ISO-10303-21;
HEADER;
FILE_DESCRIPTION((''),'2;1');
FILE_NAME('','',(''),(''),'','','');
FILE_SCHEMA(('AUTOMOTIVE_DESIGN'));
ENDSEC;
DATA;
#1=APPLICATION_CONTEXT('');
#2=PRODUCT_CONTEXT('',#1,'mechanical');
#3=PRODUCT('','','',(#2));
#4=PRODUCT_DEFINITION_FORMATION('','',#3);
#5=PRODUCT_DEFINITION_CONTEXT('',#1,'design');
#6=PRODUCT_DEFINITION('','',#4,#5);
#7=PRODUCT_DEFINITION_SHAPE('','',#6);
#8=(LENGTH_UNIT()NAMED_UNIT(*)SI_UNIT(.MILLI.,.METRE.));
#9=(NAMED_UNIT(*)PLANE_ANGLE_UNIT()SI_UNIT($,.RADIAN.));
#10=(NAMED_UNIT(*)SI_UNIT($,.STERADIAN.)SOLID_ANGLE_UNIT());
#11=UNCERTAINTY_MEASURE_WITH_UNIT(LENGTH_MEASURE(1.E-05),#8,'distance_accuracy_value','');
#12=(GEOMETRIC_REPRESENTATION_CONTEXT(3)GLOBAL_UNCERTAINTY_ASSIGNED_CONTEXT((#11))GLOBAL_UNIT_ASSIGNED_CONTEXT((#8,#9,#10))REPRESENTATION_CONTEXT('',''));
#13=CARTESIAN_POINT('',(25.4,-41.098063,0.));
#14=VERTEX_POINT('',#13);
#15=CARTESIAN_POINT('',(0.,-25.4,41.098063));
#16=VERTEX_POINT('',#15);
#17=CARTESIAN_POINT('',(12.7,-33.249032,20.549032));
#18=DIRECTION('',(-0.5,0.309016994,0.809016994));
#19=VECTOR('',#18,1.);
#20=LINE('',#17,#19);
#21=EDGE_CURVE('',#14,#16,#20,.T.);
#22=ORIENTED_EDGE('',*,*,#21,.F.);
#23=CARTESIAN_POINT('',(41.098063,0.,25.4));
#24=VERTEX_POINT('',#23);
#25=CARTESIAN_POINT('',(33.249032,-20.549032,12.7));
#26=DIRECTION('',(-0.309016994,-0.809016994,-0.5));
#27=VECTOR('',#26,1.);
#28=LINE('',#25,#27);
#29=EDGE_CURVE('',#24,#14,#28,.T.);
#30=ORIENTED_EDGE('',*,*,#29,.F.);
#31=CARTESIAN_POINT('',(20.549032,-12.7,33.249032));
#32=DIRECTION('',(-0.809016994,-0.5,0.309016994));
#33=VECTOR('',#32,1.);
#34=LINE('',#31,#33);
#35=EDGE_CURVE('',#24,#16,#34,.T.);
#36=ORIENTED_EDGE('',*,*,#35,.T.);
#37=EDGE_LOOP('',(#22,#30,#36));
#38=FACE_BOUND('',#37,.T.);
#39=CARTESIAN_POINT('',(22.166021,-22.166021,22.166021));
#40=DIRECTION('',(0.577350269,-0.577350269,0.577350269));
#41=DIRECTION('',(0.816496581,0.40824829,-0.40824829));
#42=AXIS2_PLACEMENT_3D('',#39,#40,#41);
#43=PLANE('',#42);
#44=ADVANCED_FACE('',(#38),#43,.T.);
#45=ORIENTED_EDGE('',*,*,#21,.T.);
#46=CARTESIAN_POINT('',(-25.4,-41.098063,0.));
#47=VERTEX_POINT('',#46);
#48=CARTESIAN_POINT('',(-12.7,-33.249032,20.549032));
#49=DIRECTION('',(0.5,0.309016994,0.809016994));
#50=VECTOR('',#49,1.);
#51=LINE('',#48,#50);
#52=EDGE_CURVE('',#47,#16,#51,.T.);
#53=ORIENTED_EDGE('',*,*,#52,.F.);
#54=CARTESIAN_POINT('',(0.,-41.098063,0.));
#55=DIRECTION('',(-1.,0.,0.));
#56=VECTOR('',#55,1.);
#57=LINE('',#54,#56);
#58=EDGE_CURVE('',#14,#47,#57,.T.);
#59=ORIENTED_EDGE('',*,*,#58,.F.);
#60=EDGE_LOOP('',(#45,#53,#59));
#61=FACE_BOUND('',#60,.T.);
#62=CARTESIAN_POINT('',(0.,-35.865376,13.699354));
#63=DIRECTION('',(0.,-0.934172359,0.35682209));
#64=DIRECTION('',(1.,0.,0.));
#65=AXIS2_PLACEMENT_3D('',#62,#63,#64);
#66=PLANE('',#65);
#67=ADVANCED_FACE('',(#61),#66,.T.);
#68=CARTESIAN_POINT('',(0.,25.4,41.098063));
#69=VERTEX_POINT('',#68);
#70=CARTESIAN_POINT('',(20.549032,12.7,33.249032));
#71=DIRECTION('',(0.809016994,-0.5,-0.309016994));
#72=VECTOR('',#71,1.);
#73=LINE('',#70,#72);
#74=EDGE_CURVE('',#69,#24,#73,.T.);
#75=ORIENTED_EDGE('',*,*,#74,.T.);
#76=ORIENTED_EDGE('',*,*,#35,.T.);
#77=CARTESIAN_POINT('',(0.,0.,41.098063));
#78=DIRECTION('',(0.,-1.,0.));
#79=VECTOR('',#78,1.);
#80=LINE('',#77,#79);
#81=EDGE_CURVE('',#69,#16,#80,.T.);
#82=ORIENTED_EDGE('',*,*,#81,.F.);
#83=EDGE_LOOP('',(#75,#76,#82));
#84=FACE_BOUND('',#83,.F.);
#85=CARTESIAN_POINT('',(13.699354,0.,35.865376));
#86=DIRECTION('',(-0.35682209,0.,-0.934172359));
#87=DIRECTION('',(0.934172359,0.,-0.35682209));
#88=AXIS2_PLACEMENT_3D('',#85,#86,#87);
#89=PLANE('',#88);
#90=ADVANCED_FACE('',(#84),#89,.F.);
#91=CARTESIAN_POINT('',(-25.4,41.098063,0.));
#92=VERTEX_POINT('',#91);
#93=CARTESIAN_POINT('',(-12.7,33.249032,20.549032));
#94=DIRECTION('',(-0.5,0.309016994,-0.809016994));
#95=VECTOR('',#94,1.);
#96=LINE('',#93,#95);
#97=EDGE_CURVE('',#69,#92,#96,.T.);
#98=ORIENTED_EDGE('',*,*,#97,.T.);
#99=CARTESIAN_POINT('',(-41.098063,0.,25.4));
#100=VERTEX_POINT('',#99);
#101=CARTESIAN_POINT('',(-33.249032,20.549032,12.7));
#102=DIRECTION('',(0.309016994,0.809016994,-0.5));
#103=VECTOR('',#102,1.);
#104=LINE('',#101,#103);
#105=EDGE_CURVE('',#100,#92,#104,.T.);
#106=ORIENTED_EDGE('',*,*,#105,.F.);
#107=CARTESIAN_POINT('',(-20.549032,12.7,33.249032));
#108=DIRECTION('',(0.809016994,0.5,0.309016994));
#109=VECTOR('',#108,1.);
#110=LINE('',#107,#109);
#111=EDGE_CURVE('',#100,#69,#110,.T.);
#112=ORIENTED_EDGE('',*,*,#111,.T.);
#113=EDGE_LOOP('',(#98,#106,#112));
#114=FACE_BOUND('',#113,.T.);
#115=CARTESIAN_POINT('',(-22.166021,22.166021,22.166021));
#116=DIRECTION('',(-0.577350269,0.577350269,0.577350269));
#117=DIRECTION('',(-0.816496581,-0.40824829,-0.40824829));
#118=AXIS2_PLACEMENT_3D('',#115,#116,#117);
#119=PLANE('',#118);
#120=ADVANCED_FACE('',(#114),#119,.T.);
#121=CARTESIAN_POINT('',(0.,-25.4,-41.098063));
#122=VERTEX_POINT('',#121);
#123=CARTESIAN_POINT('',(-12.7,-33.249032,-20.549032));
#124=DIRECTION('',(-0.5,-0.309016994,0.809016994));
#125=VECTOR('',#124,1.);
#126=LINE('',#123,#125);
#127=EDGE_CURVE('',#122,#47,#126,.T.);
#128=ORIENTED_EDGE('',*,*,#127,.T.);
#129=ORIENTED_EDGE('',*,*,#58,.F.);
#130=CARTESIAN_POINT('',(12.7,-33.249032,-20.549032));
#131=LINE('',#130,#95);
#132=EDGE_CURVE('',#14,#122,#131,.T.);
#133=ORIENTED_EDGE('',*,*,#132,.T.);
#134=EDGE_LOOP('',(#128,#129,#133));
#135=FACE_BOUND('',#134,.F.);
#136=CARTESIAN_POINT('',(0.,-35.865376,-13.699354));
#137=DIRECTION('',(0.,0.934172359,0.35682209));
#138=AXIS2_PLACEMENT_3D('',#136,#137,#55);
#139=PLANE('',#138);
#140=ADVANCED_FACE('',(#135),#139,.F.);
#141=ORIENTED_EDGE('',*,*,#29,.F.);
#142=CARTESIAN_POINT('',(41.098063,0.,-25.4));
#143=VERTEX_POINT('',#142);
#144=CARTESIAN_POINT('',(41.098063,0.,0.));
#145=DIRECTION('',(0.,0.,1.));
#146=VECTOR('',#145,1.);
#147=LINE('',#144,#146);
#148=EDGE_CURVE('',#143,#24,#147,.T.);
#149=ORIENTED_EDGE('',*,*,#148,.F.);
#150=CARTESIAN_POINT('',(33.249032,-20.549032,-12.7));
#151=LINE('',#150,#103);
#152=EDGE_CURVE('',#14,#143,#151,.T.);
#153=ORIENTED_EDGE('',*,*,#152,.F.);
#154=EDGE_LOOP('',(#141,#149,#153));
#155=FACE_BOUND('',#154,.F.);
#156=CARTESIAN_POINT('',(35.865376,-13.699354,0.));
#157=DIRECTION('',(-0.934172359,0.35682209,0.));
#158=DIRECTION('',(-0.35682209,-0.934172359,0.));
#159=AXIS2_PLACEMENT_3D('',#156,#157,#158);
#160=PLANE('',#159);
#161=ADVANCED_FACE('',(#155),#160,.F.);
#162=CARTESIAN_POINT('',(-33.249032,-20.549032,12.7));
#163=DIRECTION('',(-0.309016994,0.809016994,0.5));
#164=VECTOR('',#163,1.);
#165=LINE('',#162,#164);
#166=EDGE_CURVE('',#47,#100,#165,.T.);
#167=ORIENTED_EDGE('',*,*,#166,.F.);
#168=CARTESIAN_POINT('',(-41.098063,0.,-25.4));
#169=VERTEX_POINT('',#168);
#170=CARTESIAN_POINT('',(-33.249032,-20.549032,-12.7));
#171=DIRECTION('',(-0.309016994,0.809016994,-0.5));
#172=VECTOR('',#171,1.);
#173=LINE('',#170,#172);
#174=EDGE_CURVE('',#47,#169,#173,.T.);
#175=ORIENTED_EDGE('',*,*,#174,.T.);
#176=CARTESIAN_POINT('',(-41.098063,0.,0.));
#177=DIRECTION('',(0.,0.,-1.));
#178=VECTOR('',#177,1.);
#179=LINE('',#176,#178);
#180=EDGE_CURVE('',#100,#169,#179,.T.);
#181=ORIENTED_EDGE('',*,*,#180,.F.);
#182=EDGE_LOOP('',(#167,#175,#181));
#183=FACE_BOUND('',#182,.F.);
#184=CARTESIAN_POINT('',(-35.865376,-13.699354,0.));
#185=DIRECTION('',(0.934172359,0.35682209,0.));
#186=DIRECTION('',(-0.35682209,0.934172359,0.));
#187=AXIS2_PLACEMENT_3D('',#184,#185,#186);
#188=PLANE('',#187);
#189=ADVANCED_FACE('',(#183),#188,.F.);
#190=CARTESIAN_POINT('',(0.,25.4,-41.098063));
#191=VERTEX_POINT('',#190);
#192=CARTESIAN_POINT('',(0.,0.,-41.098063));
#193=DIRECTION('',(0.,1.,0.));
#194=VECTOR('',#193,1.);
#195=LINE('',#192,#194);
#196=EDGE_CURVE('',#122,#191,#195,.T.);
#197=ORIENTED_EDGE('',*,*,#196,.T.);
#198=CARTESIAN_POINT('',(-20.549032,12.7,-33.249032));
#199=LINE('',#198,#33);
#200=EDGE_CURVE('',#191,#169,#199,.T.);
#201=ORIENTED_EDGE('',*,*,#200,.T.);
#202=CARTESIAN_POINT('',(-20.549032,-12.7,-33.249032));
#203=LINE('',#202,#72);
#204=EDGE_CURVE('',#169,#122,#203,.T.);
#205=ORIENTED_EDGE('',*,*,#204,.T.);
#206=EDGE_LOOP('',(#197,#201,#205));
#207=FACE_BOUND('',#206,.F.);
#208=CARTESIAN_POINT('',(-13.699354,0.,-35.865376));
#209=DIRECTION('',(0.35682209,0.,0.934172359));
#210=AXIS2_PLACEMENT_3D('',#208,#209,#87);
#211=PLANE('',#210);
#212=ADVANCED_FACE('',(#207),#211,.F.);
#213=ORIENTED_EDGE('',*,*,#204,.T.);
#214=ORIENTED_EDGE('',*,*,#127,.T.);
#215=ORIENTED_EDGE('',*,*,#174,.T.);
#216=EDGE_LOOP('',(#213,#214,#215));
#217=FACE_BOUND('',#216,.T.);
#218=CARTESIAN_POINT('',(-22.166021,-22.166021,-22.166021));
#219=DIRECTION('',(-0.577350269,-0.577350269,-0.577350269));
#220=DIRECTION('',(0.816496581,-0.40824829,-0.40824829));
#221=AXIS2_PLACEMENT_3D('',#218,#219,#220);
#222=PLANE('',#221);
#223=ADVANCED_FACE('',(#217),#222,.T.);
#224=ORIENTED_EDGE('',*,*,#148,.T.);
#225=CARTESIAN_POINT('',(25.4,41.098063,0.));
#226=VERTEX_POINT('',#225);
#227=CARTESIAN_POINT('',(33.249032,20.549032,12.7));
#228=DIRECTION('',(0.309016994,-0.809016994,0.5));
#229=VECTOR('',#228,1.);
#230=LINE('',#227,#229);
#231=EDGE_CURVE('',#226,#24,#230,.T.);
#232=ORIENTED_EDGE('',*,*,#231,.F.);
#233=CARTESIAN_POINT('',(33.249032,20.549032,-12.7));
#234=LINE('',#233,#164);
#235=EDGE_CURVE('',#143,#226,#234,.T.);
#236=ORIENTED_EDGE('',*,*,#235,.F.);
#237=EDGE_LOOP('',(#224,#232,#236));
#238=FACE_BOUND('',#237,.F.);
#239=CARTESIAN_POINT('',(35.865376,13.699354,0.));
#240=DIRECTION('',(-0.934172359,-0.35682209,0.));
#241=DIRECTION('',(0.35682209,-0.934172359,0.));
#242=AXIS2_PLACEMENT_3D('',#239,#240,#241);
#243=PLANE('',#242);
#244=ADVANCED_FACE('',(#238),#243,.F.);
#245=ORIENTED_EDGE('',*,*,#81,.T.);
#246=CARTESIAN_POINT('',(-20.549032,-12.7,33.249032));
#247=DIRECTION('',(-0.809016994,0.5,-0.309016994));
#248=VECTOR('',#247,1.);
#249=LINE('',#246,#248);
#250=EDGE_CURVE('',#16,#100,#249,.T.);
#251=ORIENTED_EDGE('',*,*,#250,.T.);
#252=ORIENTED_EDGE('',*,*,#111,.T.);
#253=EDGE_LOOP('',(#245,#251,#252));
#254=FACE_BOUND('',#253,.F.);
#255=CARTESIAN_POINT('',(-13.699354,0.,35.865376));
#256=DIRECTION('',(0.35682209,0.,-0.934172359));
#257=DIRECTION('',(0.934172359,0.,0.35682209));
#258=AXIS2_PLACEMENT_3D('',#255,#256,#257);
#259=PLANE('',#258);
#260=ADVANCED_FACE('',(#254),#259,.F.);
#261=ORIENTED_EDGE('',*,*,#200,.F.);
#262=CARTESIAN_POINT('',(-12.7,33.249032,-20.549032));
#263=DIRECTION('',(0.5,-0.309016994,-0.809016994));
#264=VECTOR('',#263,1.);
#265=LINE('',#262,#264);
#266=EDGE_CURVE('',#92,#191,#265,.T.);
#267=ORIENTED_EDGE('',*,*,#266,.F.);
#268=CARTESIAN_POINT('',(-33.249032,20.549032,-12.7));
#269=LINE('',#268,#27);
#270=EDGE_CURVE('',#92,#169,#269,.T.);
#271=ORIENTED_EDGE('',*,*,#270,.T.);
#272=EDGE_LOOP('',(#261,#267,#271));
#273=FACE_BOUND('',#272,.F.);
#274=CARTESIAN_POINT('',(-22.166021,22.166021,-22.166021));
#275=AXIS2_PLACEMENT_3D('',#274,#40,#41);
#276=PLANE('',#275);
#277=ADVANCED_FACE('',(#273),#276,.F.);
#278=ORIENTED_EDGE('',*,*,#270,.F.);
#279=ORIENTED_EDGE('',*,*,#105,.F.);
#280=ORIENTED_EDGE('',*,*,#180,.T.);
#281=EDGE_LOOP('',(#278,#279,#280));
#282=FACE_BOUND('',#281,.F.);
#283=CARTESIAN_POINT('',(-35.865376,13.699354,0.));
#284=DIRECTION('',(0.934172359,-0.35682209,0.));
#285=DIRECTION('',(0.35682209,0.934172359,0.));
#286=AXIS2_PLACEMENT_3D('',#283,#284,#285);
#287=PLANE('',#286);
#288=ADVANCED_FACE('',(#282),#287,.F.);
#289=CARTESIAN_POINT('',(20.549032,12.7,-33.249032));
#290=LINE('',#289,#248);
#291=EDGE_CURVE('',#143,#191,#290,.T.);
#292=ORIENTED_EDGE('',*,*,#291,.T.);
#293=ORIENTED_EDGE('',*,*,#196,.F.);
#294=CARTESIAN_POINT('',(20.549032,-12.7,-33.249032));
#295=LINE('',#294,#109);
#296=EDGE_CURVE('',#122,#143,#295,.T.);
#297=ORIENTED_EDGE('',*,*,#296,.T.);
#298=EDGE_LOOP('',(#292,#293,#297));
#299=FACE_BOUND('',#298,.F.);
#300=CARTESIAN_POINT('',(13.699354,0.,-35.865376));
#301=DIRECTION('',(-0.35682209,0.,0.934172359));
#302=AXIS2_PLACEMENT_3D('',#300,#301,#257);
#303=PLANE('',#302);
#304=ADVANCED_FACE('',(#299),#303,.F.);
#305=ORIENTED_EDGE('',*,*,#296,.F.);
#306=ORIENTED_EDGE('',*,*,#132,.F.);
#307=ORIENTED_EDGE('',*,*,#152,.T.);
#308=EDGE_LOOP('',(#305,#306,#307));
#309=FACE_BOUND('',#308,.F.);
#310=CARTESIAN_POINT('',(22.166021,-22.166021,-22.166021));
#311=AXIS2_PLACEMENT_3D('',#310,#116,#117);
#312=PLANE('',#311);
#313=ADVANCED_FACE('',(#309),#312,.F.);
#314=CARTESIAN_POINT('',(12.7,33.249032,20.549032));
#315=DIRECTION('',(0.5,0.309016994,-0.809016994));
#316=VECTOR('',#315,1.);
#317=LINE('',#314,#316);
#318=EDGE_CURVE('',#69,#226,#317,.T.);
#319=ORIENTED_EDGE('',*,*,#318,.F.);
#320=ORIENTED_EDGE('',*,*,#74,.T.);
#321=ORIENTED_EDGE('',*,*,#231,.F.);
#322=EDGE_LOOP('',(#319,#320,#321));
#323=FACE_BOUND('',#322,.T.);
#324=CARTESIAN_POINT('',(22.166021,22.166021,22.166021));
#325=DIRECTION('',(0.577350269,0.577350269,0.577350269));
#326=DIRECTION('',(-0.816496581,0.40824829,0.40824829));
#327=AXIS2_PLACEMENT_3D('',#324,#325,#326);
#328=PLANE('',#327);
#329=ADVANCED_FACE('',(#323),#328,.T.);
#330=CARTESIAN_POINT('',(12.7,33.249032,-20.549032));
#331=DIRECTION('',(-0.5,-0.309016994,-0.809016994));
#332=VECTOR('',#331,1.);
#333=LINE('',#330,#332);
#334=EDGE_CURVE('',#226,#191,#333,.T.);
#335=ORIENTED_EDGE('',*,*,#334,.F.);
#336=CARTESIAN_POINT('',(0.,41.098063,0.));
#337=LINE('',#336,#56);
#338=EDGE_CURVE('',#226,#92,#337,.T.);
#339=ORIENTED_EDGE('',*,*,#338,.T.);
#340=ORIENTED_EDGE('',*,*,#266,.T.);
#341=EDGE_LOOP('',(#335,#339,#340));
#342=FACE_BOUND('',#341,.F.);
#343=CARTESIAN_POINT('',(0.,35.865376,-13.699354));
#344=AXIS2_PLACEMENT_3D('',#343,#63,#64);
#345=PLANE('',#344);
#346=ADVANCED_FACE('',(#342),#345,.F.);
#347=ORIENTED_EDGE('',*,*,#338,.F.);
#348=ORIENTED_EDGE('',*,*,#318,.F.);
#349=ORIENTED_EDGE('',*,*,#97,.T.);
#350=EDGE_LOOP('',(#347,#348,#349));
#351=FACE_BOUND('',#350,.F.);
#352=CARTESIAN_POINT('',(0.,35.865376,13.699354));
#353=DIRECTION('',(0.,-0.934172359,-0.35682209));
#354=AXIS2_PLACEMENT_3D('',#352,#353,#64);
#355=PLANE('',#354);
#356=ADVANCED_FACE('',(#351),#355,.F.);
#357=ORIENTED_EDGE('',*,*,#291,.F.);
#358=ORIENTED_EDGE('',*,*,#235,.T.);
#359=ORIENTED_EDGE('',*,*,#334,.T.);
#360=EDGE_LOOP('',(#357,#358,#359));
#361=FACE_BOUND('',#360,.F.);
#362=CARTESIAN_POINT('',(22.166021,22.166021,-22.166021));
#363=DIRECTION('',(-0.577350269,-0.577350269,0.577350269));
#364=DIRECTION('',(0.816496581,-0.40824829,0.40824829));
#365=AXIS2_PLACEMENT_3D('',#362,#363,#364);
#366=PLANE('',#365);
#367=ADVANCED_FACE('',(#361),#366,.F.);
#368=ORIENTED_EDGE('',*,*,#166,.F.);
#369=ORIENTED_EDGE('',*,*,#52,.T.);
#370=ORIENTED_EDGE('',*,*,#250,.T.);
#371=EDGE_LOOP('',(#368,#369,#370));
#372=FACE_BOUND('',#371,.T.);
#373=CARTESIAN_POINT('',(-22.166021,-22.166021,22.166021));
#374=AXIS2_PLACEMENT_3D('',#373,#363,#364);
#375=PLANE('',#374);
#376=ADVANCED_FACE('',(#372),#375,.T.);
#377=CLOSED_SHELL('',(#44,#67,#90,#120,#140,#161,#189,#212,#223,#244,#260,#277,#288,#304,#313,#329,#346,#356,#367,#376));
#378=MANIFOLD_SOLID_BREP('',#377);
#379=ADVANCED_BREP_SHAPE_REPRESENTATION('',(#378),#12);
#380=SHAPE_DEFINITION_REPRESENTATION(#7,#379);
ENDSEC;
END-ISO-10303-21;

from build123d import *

# Parameters (mm, degrees)
F7_R      = 29.3293936748
F8_DEPTH  = 9.9209962727
F10_R     = 29.3293936748
F11_DEPTH = 9.9209962727
F13_R     = 29.3293936748
F14_DEPTH = 9.9209962727
F16_R     = 29.3293936748
F17_DEPTH = 9.9209962727
F19_R     = 29.3293936748
F20_DEPTH = 9.9209962727
F22_R     = 29.3293936748
F23_DEPTH = 9.9209962727
F25_R     = 29.3293936748
F26_DEPTH = 9.9209962727
F28_R     = 29.3293936748
F29_DEPTH = 9.9209962727
F31_R     = 29.3293936748
F32_DEPTH = 9.9209962727
F34_R     = 29.3293936748
F35_DEPTH = 9.9209962727
F37_R     = 29.3293936748
F38_DEPTH = 9.9209962727
F40_R     = 29.3293936748
F41_DEPTH = 9.9209962727
F43_R     = 29.3293936748
F44_DEPTH = 9.9209962727
F46_R     = 29.3293936748
F47_DEPTH = 9.9209962727
F49_R     = 29.3293936748
F50_DEPTH = 9.9209962727
F52_R     = 29.3293936748
F53_DEPTH = 9.9209962727
F55_R     = 29.3293936748
F56_DEPTH = 9.9209962727
F58_R     = 29.3293936748
F59_DEPTH = 9.9209962727
F61_R     = 29.3293936748
F64_DEPTH = 9.9209962727
F63_R     = 29.3293936748
F65_DEPTH = 9.9209962727


with BuildPart() as f3:
    # F1 (on Front) → F3 (revolve)
    with BuildSketch(Plane.XZ):
        with BuildLine():
            Line((0, 48.3136710278), (0, -48.3136710278))
            ThreePointArc((0, -48.3136710278), (48.3136710278, 0), (0, 48.3136710278))
        make_face()
    revolve(axis=Axis((0, 0, 56.2952049077), (0, 0, 1)))

    # F7 (on 3pt) → F8 (cut, through all)
    with BuildSketch(Plane(origin=(13.6993544381, 0, 35.8653755428), x_dir=(0.934172359, 0, -0.3568220898), z_dir=(-0.3568220898, 0, -0.934172359))):
        Circle(F7_R)
    extrude(amount=-F8_DEPTH, mode=Mode.SUBTRACT)

    # F10 (on 3pt) → F11 (cut, through all)
    with BuildSketch(Plane(origin=(-13.6993544381, 0, 35.8653755428), x_dir=(0.934172359, 0, 0.3568220898), z_dir=(0.3568220898, 0, -0.934172359))):
        Circle(F10_R)
    extrude(amount=-F11_DEPTH, mode=Mode.SUBTRACT)

    # F13 (on 3pt) → F14 (cut, through all)
    with BuildSketch(Plane(origin=(-22.1660211047, -22.1660211047, 22.1660211047), x_dir=(0.8164965809, -0.4082482905, 0.4082482905), z_dir=(-0.5773502692, -0.5773502692, 0.5773502692))):
        Circle(F13_R)
    extrude(amount=F14_DEPTH, mode=Mode.SUBTRACT)

    # F16 (on 3pt) → F17 (cut, through all)
    with BuildSketch(Plane(origin=(0, -35.8653755428, 13.6993544381), x_dir=(1, 0, 0), z_dir=(0, -0.934172359, 0.3568220898))):
        Circle(F16_R)
    extrude(amount=F17_DEPTH, mode=Mode.SUBTRACT)

    # F19 (on 3pt) → F20 (cut, through all)
    with BuildSketch(Plane(origin=(22.1660211047, -22.1660211047, 22.1660211047), x_dir=(0.8164965809, 0.4082482905, -0.4082482905), z_dir=(0.5773502692, -0.5773502692, 0.5773502692))):
        Circle(F19_R)
    extrude(amount=F20_DEPTH, mode=Mode.SUBTRACT)

    # F22 (on 3pt) → F23 (cut, through all)
    with BuildSketch(Plane(origin=(22.1660211047, 22.1660211047, 22.1660211047), x_dir=(-0.8164965809, 0.4082482905, 0.4082482905), z_dir=(0.5773502692, 0.5773502692, 0.5773502692))):
        Circle(F22_R)
    extrude(amount=F23_DEPTH, mode=Mode.SUBTRACT)

    # F25 (on 3pt) → F26 (cut, through all)
    with BuildSketch(Plane(origin=(0, 35.8653755428, 13.6993544381), x_dir=(1, 0, 0), z_dir=(0, -0.934172359, -0.3568220898))):
        Circle(F25_R)
    extrude(amount=-F26_DEPTH, mode=Mode.SUBTRACT)

    # F28 (on 3pt) → F29 (cut, through all)
    with BuildSketch(Plane(origin=(-22.1660211047, 22.1660211047, 22.1660211047), x_dir=(-0.8164965809, -0.4082482905, -0.4082482905), z_dir=(-0.5773502692, 0.5773502692, 0.5773502692))):
        Circle(F28_R)
    extrude(amount=F29_DEPTH, mode=Mode.SUBTRACT)

    # F31 (on 3pt) → F32 (cut, through all)
    with BuildSketch(Plane(origin=(35.8653755428, -13.6993544381, 0), x_dir=(-0.3568220898, -0.934172359, 0), z_dir=(-0.934172359, 0.3568220898, 0))):
        Circle(F31_R)
    extrude(amount=-F32_DEPTH, mode=Mode.SUBTRACT)

    # F34 (on 3pt) → F35 (cut, through all)
    with BuildSketch(Plane(origin=(35.8653755428, 13.6993544381, 0), x_dir=(0.3568220898, -0.934172359, 0), z_dir=(-0.934172359, -0.3568220898, 0))):
        Circle(F34_R)
    extrude(amount=-F35_DEPTH, mode=Mode.SUBTRACT)

    # F37 (on 3pt) → F38 (cut, through all)
    with BuildSketch(Plane(origin=(-35.8653755428, -13.6993544381, 0), x_dir=(-0.3568220898, 0.934172359, 0), z_dir=(0.934172359, 0.3568220898, 0))):
        Circle(F37_R)
    extrude(amount=-F38_DEPTH, mode=Mode.SUBTRACT)

    # F40 (on 3pt) → F41 (cut, through all)
    with BuildSketch(Plane(origin=(-35.8653755428, 13.6993544381, 0), x_dir=(0.3568220898, 0.934172359, 0), z_dir=(0.934172359, -0.3568220898, 0))):
        Circle(F40_R)
    extrude(amount=-F41_DEPTH, mode=Mode.SUBTRACT)

    # F43 (on 3pt) → F44 (cut, through all)
    with BuildSketch(Plane(origin=(-22.1660211047, 22.1660211047, -22.1660211047), x_dir=(0.8164965809, 0.4082482905, -0.4082482905), z_dir=(0.5773502692, -0.5773502692, 0.5773502692))):
        Circle(F43_R)
    extrude(amount=-F44_DEPTH, mode=Mode.SUBTRACT)

    # F46 (on 3pt) → F47 (cut, through all)
    with BuildSketch(Plane(origin=(0, 35.8653755428, -13.6993544381), x_dir=(1, 0, 0), z_dir=(0, -0.934172359, 0.3568220898))):
        Circle(F46_R)
    extrude(amount=-F47_DEPTH, mode=Mode.SUBTRACT)

    # F49 (on 3pt) → F50 (cut, through all)
    with BuildSketch(Plane(origin=(22.1660211047, 22.1660211047, -22.1660211047), x_dir=(0.8164965809, -0.4082482905, 0.4082482905), z_dir=(-0.5773502692, -0.5773502692, 0.5773502692))):
        Circle(F49_R)
    extrude(amount=-F50_DEPTH, mode=Mode.SUBTRACT)

    # F52 (on 3pt) → F53 (cut, through all)
    with BuildSketch(Plane(origin=(22.1660211047, -22.1660211047, -22.1660211047), x_dir=(-0.8164965809, -0.4082482905, -0.4082482905), z_dir=(-0.5773502692, 0.5773502692, 0.5773502692))):
        Circle(F52_R)
    extrude(amount=-F53_DEPTH, mode=Mode.SUBTRACT)

    # F55 (on 3pt) → F56 (cut, through all)
    with BuildSketch(Plane(origin=(13.6993544381, 0, -35.8653755428), x_dir=(0.934172359, 0, 0.3568220898), z_dir=(-0.3568220898, 0, 0.934172359))):
        Circle(F55_R)
    extrude(amount=-F56_DEPTH, mode=Mode.SUBTRACT)

    # F58 (on 3pt) → F59 (cut, through all)
    with BuildSketch(Plane(origin=(0, -35.8653755428, -13.6993544381), x_dir=(-1, 0, 0), z_dir=(0, 0.934172359, 0.3568220898))):
        Circle(F58_R)
    extrude(amount=-F59_DEPTH, mode=Mode.SUBTRACT)

    # F61 (on 3pt) → F64 (cut, through all)
    with BuildSketch(Plane(origin=(-13.6993544381, 0, -35.8653755428), x_dir=(0.934172359, 0, -0.3568220898), z_dir=(0.3568220898, 0, 0.934172359))):
        Circle(F61_R)
    extrude(amount=-F64_DEPTH, mode=Mode.SUBTRACT)

    # F63 (on 3pt) → F65 (cut, through all)
    with BuildSketch(Plane(origin=(-22.1660211047, -22.1660211047, -22.1660211047), x_dir=(0.8164965809, -0.4082482905, -0.4082482905), z_dir=(-0.5773502692, -0.5773502692, -0.5773502692))):
        Circle(F63_R)
    extrude(amount=F65_DEPTH, mode=Mode.SUBTRACT)


solid = f3.part
